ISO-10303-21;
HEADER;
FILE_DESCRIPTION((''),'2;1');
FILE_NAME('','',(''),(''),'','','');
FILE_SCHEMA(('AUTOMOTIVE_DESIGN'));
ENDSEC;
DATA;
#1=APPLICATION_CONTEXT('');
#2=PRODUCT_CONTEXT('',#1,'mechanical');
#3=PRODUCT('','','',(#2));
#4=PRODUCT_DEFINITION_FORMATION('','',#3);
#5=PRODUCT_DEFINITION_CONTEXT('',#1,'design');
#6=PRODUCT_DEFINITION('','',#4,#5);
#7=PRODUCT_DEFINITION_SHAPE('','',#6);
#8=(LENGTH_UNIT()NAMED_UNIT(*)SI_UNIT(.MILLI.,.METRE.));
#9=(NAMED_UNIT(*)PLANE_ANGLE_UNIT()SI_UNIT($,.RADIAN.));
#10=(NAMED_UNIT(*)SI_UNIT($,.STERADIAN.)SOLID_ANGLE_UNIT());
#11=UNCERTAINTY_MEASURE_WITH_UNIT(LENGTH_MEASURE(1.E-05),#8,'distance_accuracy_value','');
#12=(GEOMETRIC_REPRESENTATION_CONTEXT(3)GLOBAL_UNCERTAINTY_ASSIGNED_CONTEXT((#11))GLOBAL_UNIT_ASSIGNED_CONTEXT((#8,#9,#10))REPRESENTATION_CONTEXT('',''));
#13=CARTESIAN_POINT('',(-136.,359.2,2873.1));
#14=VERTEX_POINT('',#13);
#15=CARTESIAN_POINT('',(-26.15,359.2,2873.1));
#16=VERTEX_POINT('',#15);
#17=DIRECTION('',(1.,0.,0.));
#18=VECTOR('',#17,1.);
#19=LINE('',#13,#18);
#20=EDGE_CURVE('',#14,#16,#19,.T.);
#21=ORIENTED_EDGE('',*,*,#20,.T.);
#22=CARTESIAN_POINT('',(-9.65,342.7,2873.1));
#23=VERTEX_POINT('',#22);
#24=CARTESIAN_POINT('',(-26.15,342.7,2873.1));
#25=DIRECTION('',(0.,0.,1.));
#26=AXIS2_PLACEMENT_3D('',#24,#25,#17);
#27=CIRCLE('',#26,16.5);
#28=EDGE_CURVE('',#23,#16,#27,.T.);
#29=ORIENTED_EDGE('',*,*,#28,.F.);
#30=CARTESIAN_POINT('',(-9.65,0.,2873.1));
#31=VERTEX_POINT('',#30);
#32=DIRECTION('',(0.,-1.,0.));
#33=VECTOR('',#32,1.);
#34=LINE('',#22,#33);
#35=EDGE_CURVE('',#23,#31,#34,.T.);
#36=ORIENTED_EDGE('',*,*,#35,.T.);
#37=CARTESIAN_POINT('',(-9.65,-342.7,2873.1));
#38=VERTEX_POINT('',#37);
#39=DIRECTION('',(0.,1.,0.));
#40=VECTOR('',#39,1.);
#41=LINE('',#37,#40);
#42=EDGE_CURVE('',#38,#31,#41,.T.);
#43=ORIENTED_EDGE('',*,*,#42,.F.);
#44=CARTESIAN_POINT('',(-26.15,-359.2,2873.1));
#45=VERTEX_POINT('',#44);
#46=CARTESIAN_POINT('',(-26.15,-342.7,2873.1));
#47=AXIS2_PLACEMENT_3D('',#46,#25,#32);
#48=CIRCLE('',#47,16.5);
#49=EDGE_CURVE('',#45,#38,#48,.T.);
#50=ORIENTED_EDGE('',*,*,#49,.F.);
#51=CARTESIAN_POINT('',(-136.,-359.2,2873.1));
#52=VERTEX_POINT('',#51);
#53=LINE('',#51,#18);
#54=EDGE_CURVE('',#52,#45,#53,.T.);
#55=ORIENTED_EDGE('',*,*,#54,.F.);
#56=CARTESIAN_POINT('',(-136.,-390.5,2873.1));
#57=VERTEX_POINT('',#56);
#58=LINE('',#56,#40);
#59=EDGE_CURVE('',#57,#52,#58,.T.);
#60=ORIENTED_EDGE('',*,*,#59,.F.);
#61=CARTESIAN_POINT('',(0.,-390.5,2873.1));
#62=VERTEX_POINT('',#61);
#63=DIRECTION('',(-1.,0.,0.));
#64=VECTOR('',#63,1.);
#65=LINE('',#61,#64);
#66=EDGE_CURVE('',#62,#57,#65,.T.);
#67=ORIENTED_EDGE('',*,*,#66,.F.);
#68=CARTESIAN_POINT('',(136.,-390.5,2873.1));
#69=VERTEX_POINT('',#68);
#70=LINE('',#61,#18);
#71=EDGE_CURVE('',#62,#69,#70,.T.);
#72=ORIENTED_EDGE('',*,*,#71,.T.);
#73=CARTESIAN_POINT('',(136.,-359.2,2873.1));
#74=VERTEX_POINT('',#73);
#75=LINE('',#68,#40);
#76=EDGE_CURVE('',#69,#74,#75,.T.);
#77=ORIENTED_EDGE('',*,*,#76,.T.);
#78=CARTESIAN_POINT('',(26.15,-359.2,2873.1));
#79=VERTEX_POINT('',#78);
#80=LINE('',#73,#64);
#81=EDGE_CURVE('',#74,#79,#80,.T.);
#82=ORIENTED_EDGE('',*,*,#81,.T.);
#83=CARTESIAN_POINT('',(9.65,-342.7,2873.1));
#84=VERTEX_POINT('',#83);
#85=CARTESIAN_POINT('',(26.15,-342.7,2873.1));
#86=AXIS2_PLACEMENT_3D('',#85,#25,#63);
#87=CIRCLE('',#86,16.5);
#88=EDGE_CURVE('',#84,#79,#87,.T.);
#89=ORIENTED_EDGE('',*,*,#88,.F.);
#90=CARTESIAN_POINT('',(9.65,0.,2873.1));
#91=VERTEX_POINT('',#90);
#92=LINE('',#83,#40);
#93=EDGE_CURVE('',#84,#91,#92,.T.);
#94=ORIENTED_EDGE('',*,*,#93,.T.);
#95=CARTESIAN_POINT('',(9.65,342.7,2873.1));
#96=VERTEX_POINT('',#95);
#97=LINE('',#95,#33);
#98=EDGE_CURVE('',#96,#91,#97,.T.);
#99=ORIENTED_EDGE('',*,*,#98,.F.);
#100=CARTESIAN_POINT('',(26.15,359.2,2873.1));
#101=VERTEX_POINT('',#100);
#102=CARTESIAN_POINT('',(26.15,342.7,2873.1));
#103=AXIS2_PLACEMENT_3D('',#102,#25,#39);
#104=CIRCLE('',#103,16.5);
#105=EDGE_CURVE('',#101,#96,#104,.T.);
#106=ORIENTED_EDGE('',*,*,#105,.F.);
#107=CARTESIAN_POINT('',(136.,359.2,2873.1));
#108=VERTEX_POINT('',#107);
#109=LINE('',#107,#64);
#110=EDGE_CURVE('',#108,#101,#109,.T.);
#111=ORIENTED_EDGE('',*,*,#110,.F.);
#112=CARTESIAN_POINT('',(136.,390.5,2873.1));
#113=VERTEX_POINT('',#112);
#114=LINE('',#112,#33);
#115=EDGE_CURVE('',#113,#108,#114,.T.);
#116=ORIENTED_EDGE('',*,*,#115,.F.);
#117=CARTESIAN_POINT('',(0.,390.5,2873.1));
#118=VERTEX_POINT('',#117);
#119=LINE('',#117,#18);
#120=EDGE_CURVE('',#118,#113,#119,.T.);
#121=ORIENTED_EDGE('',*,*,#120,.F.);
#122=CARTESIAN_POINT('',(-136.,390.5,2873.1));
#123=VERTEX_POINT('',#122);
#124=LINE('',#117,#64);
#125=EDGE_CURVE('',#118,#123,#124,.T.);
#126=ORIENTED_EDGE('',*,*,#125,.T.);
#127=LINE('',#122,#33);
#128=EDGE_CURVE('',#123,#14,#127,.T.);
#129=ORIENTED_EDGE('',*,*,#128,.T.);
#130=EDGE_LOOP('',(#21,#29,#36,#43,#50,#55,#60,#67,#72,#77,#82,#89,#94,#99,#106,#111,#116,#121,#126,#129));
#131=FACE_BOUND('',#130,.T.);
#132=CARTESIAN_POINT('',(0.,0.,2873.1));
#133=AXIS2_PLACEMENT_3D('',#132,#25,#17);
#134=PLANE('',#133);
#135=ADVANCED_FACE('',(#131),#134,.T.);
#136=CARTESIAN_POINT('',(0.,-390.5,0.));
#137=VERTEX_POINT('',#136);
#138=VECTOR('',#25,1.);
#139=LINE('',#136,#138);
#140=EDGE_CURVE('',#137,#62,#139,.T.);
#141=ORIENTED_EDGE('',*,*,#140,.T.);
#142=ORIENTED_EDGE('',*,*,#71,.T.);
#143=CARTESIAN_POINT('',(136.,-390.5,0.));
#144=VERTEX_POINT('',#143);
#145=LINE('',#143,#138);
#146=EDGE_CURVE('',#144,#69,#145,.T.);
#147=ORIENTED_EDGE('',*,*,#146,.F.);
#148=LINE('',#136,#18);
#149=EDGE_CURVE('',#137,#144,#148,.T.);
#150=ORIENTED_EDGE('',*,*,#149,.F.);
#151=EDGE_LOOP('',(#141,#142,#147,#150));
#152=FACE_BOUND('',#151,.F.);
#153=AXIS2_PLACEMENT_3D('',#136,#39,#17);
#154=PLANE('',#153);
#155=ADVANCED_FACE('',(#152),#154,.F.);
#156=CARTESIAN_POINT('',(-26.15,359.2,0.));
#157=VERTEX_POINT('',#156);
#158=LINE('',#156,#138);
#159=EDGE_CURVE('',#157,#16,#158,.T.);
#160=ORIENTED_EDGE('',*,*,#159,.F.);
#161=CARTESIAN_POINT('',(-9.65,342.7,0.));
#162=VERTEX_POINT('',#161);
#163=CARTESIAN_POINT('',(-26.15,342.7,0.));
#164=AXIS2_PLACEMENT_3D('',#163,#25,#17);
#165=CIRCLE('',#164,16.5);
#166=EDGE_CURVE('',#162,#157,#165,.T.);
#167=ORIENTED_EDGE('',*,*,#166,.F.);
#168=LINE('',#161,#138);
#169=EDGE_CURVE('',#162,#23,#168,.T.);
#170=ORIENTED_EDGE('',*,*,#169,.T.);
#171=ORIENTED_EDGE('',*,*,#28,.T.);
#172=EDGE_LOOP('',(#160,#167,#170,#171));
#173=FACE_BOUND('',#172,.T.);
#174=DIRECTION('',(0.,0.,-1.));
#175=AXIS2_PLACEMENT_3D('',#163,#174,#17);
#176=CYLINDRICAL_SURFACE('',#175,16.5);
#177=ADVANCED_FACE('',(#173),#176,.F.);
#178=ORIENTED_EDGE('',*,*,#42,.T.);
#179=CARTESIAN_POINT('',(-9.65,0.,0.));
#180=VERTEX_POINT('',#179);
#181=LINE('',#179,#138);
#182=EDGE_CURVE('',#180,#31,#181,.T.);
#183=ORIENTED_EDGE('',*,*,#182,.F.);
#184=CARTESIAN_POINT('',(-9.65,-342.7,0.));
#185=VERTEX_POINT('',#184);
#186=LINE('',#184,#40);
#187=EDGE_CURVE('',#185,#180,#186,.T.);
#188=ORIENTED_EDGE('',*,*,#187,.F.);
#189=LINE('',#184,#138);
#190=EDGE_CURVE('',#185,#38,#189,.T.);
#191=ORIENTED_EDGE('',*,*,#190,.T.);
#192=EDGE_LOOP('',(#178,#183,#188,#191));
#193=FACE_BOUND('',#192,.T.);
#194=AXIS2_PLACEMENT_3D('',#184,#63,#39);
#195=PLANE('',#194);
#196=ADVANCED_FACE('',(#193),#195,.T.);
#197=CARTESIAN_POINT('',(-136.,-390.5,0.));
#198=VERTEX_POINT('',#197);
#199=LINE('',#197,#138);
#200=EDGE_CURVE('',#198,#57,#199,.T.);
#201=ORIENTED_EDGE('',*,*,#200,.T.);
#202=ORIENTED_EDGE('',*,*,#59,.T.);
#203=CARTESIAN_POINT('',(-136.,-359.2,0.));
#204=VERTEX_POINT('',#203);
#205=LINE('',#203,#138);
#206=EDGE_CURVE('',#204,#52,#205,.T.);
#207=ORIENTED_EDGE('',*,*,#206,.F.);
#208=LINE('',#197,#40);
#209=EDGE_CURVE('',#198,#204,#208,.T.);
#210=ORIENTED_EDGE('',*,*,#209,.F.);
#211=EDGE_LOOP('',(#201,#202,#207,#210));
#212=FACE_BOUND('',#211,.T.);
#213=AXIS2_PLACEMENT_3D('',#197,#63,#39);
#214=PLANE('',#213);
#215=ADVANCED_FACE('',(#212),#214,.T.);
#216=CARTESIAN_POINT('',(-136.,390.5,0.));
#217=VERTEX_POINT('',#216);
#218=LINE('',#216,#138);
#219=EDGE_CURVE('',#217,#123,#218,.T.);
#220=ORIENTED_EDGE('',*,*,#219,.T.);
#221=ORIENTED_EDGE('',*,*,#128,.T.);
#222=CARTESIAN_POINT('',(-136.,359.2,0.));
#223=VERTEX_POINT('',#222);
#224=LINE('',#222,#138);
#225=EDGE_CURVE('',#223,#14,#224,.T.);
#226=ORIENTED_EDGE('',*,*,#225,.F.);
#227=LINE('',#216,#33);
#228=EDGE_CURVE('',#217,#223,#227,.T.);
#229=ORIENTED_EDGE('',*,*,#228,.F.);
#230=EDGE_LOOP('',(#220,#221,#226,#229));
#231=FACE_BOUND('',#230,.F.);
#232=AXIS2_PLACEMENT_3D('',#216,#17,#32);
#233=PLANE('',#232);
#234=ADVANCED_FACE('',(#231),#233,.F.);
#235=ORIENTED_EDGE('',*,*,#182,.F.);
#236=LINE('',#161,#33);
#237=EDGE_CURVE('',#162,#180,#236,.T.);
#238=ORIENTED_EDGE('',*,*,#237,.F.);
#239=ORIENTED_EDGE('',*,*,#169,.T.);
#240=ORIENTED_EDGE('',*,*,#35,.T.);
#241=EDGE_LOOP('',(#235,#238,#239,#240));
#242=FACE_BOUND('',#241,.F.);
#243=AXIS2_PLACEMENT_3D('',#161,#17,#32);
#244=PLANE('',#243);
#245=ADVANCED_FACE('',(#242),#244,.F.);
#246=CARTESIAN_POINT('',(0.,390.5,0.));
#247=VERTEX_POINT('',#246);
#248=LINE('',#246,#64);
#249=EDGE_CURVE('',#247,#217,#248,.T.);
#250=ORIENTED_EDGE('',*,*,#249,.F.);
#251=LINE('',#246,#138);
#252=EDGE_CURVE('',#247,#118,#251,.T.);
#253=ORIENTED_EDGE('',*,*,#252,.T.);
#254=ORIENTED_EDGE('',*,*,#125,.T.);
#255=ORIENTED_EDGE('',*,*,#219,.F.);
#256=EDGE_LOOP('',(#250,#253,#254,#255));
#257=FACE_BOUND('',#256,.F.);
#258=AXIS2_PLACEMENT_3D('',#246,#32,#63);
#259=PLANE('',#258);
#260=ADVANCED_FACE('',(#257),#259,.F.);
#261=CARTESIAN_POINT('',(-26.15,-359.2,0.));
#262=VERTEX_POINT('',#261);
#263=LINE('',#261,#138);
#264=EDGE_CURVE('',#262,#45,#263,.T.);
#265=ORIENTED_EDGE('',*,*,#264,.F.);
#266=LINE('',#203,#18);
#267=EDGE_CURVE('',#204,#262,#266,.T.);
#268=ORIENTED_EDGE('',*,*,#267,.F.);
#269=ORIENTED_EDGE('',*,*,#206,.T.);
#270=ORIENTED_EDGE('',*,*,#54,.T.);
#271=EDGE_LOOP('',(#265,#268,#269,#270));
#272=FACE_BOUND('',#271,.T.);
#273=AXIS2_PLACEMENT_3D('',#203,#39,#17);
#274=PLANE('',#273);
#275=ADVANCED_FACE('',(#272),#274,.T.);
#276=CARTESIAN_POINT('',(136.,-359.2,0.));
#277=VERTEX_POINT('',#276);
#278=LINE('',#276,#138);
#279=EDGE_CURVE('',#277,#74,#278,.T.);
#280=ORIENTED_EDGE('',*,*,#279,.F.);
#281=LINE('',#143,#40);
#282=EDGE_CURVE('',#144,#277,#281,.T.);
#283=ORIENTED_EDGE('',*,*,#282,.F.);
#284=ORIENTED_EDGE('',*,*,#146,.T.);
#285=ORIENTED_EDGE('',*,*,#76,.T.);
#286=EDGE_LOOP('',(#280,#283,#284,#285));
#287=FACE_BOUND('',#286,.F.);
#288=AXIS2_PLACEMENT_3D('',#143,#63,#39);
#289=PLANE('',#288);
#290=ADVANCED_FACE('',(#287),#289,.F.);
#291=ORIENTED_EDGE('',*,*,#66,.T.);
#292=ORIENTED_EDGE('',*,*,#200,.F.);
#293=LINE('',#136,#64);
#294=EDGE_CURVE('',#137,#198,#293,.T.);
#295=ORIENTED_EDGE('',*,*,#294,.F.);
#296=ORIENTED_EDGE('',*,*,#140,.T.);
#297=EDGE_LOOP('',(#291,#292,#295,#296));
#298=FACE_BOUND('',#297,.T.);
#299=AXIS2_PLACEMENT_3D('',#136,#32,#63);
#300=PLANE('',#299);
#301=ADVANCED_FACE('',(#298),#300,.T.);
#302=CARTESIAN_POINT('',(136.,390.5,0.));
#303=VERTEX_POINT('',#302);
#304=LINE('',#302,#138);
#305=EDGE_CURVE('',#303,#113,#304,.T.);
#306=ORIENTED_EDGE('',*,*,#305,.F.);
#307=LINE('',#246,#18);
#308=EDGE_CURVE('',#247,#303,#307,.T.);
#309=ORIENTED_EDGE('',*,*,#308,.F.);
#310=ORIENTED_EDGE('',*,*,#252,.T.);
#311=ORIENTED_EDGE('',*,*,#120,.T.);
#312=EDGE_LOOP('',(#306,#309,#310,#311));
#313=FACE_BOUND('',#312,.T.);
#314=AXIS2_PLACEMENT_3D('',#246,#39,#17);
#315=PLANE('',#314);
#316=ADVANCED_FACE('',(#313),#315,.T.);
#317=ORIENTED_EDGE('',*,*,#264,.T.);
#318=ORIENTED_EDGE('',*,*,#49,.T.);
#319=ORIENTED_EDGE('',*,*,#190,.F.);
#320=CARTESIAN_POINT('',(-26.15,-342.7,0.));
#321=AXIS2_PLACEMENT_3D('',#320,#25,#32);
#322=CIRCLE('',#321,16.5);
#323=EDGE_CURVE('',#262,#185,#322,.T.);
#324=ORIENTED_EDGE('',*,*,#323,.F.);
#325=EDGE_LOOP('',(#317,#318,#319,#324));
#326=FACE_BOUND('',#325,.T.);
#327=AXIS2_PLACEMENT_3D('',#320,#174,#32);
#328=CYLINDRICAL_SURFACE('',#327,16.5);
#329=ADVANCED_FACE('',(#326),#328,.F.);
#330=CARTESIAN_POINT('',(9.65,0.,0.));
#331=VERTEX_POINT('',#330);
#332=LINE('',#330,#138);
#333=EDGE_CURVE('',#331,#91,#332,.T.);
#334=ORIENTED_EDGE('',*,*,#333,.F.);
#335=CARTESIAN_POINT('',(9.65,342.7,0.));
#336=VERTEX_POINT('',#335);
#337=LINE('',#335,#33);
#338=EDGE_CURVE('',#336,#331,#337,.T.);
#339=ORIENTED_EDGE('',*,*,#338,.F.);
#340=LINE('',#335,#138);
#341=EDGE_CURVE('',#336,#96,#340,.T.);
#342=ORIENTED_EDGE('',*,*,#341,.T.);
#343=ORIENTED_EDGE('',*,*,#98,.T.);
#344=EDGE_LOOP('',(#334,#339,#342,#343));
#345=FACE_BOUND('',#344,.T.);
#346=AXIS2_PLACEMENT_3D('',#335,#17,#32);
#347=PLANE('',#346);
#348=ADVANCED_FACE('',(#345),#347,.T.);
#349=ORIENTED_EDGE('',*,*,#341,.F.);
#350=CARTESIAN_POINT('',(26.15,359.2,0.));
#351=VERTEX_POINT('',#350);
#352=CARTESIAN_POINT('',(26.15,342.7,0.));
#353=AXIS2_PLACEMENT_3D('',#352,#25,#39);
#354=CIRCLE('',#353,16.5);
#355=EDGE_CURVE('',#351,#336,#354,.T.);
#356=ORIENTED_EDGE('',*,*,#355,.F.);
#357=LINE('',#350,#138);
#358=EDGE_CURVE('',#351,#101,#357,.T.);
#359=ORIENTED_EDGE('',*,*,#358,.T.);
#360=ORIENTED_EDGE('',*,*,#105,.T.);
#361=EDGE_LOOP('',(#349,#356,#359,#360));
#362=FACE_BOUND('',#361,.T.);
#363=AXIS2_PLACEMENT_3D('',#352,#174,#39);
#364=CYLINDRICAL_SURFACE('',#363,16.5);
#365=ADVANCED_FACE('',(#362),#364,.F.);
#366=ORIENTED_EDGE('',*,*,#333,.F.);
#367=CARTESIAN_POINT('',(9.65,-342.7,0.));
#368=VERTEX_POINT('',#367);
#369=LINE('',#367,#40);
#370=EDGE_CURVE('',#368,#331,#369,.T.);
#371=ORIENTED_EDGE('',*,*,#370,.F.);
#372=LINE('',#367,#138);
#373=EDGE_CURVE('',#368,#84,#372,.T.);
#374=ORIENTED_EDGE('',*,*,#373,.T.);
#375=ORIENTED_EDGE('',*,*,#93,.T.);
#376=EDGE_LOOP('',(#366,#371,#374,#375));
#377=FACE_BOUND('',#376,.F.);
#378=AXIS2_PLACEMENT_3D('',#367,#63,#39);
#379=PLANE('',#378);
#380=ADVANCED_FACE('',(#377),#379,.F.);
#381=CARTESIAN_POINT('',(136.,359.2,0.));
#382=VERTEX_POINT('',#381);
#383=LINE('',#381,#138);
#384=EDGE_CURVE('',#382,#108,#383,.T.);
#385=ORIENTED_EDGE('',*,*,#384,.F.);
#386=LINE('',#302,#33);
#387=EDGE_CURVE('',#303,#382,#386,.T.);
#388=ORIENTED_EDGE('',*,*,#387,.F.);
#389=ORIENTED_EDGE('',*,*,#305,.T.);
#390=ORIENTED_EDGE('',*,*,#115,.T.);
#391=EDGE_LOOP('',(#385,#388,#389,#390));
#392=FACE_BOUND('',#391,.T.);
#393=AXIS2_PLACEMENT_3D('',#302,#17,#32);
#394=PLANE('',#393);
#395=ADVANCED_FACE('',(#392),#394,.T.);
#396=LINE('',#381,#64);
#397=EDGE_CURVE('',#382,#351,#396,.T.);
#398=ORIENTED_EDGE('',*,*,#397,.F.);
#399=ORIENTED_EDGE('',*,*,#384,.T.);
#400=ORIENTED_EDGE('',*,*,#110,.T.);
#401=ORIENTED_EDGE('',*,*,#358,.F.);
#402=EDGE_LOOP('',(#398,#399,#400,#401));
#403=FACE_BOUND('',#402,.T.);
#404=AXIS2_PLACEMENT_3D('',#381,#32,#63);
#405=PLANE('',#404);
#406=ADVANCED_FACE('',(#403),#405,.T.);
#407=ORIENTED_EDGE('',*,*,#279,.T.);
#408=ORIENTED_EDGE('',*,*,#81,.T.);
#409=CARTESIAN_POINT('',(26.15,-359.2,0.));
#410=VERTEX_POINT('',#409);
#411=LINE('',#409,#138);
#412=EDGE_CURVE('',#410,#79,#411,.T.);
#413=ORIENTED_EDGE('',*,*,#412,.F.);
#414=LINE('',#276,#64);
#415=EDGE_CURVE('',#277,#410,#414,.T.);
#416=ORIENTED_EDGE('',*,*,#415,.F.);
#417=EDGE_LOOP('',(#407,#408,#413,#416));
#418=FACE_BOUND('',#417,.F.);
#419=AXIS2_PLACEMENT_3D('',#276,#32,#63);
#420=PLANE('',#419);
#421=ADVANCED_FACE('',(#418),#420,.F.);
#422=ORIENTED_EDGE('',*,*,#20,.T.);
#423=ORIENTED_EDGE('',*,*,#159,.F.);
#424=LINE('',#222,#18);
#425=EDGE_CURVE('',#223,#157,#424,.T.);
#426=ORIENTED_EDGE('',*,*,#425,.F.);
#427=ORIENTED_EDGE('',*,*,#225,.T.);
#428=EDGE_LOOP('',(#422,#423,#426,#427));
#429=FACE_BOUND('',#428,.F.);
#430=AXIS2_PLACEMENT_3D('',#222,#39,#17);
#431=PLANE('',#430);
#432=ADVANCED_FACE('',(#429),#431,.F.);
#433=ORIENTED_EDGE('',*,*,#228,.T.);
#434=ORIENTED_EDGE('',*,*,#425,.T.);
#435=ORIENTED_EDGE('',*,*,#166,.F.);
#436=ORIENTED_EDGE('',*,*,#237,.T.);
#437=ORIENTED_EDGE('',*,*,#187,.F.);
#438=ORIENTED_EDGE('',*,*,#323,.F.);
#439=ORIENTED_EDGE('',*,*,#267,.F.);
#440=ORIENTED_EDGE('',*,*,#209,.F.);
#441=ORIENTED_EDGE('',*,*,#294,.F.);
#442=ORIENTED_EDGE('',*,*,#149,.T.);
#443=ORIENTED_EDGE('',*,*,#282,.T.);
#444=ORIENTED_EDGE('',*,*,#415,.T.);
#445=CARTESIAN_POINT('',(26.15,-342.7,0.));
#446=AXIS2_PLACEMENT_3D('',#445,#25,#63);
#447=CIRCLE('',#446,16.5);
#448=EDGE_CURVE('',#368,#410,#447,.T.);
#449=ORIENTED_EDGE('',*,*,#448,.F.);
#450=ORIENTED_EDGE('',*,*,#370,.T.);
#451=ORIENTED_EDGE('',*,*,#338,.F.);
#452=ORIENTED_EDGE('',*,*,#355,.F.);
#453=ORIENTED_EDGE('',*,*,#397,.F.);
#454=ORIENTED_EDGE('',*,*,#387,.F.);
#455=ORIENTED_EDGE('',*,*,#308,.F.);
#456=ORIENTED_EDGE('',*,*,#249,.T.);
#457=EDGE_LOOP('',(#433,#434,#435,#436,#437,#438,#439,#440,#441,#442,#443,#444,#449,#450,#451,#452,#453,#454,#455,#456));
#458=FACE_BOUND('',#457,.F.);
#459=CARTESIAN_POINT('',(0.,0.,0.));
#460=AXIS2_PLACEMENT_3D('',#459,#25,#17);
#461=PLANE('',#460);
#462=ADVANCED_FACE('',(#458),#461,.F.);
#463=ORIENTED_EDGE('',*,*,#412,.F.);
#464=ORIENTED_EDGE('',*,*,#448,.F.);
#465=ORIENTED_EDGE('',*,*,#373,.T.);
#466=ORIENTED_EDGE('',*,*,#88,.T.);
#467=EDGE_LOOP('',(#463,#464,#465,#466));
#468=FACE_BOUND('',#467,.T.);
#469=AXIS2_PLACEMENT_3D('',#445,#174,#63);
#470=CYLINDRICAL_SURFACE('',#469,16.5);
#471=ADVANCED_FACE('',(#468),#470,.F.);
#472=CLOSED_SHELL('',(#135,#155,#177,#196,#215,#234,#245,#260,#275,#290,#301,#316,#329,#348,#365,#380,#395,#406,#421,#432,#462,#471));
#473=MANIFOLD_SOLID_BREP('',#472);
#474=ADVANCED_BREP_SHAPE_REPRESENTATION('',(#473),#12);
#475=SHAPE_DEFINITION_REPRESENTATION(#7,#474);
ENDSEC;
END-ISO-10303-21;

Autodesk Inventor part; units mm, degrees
ref_plane "YZ Plane" through (0, 0, 0) normal (1, 0, 0) x (0, 1, 0)
ref_plane "Start plane" through (0, 0, 0) normal (0, 0, 1) x (1, 0, 0)
ref_plane "End plane" through (0, 0, 2873.1) normal (0, 0, 1) x (1, 0, 0)
sketch "Sketch" plane through (0, 0, 0) normal (0, 0, 1) x (1, 0, 0)
  line L0 (-136, -390.5) -> (-136, -359.2)
  line L1 (-136, -359.2) -> (-26.15, -359.2)
  line L2 (-9.65, -342.7) -> (-9.65, 0)
  line L3 (-9.65, 0) -> (0, 0) construction
  line L4 (0, 0) -> (0, -390.5) construction
  line L5 (0, -390.5) -> (-136, -390.5)
  line L6 (-60, 0) -> (80, 0) construction
  line L7 (0, -60) -> (0, 80) construction
  line L8 (136, -390.5) -> (136, -359.2)
  line L9 (136, -359.2) -> (26.15, -359.2)
  line L10 (9.65, -342.7) -> (9.65, 0)
  line L11 (9.65, 0) -> (0, 0) construction
  line L12 (0, -390.5) -> (136, -390.5)
  line L13 (-136, 390.5) -> (-136, 359.2)
  line L14 (-136, 359.2) -> (-26.15, 359.2)
  line L15 (-9.65, 342.7) -> (-9.65, 0)
  line L16 (0, 390.5) -> (-136, 390.5)
  line L17 (136, 390.5) -> (136, 359.2)
  line L18 (136, 359.2) -> (26.15, 359.2)
  line L19 (0, 390.5) -> (136, 390.5)
  line L20 (9.65, 342.7) -> (9.65, 0)
  arc A0 (-9.65, 342.7) -> (-26.15, 359.2) centre (-26.15, 342.7) ccw
  arc A1 (26.15, 359.2) -> (9.65, 342.7) centre (26.15, 342.7) ccw
  arc A2 (9.65, -342.7) -> (26.15, -359.2) centre (26.15, -342.7) ccw
  arc A3 (-26.15, -359.2) -> (-9.65, -342.7) centre (-26.15, -342.7) ccw
  line L21 (0, 108) -> (0, -88) construction
  line L22 (-88, 0) -> (108, 0) construction
  point P0 (-9.65, -359.2)
  point P1 (9.65, -359.2)
  point P2 (-9.65, 359.2)
  point P3 (9.65, 359.2)
  dimension "d1" = 390.5
  dimension "d2" = 31.3
  dimension "d3" = 136
  dimension "d4" = 9.65
  dimension "d10" = 16.5
extrude "Body" add sketch "Sketch" along normal up to surface (2873.1 mm away) from surface at 0
sketch "Sketch4" plane through (0, 0, 0) normal (0, 0, 1) x (1, 0, 0)
  line L0 (0, 0) -> (10, 0)
ref_plane "Work Plane3" through (0, 0, 0) normal (0, -1, 0) x (1, 0, 0)
sketch "Sketch5" plane through (0, 0, 0) normal (0, -1, 0) x (1, 0, 0)
  line L0 (-2, 0) -> (12, 0) projected
  line L1 (-2, 2873.1) -> (12, 2873.1) projected
  dimension "d14" = 2873.1
equation "\"d1\" = 0.5 * G_H"
equation "\"d2\" = G_T1"
equation "\"d3\" = 0.5 * G_W"
equation "\"d4\" = 0.5 * G_T"
equation "\"d10\" = G_IR"
equation "\"d5\" = G_L"
equation "\"G_W\" = 272"
equation "\"G_H\" = 781"
equation "\"G_T\" = 19.3"
equation "\"G_T1\" = 31.3"
equation "\"G_IR\" = 16.5"
equation "\"G_L\" = d14"
equation "\"G_OFFSET_START\" = 0"
equation "\"G_OFFSET_END\" = 0"
equation "\"d12\" = G_OFFSET_END + B_L"
equation "\"B_L\" = 2873.1"
properties part number "AS 3679-1990 - 760 UB - 244 - 2873.1" material "Steel, Mild"
